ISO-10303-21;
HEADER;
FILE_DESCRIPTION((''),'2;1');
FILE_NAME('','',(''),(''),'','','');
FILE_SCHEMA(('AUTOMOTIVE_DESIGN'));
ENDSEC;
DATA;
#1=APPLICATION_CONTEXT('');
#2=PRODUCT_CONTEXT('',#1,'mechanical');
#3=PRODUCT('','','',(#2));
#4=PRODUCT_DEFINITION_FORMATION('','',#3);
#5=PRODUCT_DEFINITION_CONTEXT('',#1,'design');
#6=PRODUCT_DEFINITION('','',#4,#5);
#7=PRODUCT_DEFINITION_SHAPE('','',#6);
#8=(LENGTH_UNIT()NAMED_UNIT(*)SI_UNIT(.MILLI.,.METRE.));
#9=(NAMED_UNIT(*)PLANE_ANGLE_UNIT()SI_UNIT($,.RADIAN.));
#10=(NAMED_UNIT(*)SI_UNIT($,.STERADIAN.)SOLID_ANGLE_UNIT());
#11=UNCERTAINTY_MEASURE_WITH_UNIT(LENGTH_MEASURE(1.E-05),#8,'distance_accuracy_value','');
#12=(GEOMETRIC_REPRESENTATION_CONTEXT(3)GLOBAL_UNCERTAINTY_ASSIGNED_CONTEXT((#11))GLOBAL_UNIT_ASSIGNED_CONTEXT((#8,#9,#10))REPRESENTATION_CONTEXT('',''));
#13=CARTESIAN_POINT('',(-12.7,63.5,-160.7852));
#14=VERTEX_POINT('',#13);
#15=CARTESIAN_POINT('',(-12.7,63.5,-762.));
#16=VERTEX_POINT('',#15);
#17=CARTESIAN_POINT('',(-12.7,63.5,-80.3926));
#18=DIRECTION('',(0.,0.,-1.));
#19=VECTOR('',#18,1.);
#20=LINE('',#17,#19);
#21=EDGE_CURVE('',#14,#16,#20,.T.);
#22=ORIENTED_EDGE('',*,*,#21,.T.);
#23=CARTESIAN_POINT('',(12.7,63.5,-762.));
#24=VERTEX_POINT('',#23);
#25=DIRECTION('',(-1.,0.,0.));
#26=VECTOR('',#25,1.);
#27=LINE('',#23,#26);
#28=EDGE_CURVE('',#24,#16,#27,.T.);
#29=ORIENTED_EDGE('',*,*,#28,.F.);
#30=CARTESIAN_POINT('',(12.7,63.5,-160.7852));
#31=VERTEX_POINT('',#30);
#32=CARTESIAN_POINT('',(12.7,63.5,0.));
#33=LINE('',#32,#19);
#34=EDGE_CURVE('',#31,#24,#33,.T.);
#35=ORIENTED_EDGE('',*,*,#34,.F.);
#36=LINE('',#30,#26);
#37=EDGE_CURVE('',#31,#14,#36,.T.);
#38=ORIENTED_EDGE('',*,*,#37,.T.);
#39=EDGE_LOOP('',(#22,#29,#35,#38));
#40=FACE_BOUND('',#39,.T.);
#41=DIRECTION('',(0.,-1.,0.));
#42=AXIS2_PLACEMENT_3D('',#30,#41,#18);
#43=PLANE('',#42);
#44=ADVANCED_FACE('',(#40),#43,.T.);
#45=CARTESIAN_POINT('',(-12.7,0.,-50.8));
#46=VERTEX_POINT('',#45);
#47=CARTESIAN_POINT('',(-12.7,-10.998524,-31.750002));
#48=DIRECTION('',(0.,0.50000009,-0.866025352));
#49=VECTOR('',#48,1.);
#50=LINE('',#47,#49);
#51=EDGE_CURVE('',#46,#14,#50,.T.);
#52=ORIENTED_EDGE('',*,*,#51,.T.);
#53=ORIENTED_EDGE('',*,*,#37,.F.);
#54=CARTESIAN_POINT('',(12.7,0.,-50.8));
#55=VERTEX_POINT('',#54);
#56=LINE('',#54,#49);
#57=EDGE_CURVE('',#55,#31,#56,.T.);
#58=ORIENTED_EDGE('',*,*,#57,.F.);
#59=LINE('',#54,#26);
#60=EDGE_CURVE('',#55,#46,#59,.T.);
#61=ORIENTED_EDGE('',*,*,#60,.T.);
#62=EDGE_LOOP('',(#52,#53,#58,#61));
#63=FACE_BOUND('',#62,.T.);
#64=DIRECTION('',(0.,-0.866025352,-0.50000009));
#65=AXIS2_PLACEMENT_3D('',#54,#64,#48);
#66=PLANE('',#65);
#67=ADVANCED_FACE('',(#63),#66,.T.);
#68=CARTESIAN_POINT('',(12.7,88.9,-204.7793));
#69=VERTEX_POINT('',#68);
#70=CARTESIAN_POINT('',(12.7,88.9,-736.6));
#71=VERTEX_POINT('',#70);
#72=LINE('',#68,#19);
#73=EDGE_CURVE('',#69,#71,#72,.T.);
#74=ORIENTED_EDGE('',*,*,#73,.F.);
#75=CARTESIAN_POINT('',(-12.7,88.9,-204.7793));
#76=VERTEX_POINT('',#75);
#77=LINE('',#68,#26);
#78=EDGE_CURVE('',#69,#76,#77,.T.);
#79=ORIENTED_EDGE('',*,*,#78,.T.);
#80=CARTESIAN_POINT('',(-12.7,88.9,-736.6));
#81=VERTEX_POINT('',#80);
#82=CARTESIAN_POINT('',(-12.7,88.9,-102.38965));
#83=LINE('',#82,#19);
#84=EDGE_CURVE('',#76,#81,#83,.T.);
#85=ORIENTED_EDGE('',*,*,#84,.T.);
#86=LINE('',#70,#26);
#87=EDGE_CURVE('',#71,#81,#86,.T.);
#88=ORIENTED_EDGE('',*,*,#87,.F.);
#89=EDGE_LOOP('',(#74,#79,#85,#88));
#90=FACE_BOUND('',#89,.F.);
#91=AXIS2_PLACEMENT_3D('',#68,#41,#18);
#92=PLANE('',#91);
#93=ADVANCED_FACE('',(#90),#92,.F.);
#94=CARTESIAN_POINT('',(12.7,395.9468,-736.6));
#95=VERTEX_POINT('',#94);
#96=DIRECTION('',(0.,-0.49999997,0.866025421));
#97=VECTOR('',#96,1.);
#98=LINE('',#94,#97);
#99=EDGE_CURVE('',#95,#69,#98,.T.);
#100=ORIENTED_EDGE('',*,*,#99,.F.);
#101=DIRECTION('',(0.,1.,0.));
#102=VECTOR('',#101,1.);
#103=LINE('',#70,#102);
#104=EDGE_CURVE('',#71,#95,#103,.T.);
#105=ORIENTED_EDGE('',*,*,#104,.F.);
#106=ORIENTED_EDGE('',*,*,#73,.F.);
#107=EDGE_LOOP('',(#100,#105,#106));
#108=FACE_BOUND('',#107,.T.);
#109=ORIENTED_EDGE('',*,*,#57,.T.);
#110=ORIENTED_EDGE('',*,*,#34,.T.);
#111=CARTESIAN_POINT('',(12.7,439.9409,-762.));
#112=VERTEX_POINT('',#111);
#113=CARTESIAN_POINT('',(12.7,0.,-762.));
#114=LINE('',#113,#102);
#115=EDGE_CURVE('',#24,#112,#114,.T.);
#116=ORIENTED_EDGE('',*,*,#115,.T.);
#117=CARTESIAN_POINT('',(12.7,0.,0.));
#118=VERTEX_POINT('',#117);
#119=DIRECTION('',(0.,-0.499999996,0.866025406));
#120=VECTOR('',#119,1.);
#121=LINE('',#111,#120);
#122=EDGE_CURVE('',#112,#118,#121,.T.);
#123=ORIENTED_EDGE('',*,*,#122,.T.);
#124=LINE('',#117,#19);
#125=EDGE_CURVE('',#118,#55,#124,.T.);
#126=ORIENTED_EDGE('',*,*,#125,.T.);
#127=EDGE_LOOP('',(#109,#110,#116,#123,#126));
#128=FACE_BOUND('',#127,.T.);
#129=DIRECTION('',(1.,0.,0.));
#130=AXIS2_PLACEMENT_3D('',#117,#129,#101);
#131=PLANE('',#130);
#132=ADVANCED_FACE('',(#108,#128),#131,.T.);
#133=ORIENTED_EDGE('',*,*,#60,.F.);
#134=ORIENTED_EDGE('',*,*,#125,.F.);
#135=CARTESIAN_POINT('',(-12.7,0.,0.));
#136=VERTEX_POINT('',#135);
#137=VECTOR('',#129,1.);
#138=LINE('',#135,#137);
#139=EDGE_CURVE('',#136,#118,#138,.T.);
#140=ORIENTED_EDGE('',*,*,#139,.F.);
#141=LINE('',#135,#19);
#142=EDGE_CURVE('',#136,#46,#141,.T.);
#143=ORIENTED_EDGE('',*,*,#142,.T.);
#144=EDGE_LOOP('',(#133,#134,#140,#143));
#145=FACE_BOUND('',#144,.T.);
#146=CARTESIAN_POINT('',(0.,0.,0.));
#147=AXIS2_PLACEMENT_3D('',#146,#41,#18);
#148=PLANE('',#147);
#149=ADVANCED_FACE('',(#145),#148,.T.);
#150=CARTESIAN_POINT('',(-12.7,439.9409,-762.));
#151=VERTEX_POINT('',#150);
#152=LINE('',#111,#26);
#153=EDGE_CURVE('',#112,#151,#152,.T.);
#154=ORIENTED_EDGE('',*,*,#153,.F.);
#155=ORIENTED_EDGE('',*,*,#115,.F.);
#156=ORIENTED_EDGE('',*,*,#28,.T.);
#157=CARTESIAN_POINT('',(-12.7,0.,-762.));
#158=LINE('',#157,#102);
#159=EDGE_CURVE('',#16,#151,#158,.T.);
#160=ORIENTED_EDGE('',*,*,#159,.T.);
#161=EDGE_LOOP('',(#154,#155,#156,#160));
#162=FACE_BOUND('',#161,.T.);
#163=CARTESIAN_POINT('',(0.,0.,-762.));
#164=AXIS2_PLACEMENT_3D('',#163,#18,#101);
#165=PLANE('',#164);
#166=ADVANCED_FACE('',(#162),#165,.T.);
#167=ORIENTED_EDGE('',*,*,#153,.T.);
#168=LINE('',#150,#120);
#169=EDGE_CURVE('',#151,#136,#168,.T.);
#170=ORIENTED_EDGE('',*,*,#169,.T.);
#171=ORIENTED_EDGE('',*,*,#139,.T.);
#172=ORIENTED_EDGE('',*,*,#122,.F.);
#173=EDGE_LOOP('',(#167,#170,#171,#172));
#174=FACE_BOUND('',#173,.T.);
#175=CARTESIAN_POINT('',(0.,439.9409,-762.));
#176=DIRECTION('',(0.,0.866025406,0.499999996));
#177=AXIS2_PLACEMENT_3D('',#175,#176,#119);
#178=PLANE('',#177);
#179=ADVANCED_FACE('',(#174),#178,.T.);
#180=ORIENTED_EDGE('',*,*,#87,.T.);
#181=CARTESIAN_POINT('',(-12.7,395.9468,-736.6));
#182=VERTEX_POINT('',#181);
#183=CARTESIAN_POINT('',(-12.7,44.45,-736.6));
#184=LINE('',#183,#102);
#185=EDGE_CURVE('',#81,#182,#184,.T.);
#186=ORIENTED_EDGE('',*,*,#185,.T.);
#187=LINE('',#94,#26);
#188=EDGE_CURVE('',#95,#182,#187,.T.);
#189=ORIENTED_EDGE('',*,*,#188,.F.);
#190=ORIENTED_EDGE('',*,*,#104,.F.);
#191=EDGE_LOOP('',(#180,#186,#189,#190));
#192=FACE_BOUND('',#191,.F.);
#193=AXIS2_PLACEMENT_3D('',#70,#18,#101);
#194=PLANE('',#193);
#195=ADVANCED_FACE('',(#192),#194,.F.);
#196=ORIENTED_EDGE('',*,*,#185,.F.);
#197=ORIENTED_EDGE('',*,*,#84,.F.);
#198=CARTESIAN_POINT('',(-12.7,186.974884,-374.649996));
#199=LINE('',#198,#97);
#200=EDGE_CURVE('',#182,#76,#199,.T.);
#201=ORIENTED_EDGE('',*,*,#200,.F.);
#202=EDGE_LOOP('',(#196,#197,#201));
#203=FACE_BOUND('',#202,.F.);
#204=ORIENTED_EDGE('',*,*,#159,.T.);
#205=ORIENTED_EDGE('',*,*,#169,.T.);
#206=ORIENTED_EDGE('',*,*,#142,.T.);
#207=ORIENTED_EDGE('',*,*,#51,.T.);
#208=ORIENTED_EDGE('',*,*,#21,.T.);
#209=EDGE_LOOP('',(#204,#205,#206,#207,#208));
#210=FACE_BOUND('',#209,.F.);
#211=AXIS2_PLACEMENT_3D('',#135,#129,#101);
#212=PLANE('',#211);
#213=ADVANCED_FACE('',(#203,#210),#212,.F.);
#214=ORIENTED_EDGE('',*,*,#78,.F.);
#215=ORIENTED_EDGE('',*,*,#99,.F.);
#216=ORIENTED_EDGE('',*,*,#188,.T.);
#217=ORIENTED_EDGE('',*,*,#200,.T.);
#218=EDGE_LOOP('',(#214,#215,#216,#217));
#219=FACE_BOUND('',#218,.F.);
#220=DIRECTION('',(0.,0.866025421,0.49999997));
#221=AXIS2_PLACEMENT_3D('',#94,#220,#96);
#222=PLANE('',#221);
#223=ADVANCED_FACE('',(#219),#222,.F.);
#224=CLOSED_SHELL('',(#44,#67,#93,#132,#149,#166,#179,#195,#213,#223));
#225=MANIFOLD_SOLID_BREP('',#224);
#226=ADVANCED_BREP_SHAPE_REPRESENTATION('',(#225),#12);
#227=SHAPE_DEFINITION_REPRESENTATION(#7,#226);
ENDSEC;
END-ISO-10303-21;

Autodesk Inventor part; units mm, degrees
ref_plane "YZ Plane" through (0, 0, 0) normal (1, 0, 0) x (0, 1, 0)
ref_plane "XZ Plane" through (0, 0, 0) normal (0, 1, 0) x (-1, 0, 0)
ref_plane "XY Plane" through (0, 0, 0) normal (0, 0, 1) x (1, 0, 0)
sketch "Sketch1" plane through (0, 0, 0) normal (1, 0, 0) x (0, 1, 0)
  line L0 (0, 0) -> (0, -762)
  line L1 (0, -762) -> (439.9409, -762)
  line L2 (439.9409, -762) -> (0, 0)
  line L3 (25.4, -129.7892) -> (25.4, -736.6)
  line L4 (25.4, -736.6) -> (361.7607, -736.6)
  line L5 (361.7607, -736.6) -> (25.4, -129.7892)
  dimension "d0" = 762
  dimension "d5" = 30
  dimension "d6" = 1
  dimension "d7" = 25.4
  dimension "d8" = 25.4
extrude "Extrusion1" add sketch "Sketch1" along normal mid plane 25.4 contours L2 L1 L0 | L5 L4 L3
ref_plane "Work Plane1" through (-12.7, 65.9911, 38.1) normal (0, 0.866, 0.5) x (1, 0, 0)
sketch "Sketch3" plane through (12.7, 0, 0) normal (1, 0, 0) x (0, 0, -1)
  line L0 (0, 63.5) -> (873.76, 63.5) projected
  line L1 (204.7793, 88.9) -> (736.6, 88.9)
  line L2 (736.6, 88.9) -> (736.6, 395.9468)
  line L3 (736.6, 395.9468) -> (204.7793, 88.9)
  line L4 (762, 439.9409) -> (0, 0) projected
  line L5 (762, 0) -> (762, 439.9409) projected
  line L6 (0, 0) -> (762, 0) projected
  line L7 (50.8, 0) -> (160.7852, 63.5)
  line L8 (160.7852, 63.5) -> (762, 63.5)
  line L9 (762, 0) -> (50.8, 0)
  dimension "d14" = 25.4
  dimension "d15" = 25.4
  dimension "d21" = 25.4
extrude "Extrusion4" cut sketch "Sketch3" against normal through all contours L0 L5 L6 L7 | L3 L2 L1
properties part number "ballSupport" material "Aluminum 6061, Welded"
